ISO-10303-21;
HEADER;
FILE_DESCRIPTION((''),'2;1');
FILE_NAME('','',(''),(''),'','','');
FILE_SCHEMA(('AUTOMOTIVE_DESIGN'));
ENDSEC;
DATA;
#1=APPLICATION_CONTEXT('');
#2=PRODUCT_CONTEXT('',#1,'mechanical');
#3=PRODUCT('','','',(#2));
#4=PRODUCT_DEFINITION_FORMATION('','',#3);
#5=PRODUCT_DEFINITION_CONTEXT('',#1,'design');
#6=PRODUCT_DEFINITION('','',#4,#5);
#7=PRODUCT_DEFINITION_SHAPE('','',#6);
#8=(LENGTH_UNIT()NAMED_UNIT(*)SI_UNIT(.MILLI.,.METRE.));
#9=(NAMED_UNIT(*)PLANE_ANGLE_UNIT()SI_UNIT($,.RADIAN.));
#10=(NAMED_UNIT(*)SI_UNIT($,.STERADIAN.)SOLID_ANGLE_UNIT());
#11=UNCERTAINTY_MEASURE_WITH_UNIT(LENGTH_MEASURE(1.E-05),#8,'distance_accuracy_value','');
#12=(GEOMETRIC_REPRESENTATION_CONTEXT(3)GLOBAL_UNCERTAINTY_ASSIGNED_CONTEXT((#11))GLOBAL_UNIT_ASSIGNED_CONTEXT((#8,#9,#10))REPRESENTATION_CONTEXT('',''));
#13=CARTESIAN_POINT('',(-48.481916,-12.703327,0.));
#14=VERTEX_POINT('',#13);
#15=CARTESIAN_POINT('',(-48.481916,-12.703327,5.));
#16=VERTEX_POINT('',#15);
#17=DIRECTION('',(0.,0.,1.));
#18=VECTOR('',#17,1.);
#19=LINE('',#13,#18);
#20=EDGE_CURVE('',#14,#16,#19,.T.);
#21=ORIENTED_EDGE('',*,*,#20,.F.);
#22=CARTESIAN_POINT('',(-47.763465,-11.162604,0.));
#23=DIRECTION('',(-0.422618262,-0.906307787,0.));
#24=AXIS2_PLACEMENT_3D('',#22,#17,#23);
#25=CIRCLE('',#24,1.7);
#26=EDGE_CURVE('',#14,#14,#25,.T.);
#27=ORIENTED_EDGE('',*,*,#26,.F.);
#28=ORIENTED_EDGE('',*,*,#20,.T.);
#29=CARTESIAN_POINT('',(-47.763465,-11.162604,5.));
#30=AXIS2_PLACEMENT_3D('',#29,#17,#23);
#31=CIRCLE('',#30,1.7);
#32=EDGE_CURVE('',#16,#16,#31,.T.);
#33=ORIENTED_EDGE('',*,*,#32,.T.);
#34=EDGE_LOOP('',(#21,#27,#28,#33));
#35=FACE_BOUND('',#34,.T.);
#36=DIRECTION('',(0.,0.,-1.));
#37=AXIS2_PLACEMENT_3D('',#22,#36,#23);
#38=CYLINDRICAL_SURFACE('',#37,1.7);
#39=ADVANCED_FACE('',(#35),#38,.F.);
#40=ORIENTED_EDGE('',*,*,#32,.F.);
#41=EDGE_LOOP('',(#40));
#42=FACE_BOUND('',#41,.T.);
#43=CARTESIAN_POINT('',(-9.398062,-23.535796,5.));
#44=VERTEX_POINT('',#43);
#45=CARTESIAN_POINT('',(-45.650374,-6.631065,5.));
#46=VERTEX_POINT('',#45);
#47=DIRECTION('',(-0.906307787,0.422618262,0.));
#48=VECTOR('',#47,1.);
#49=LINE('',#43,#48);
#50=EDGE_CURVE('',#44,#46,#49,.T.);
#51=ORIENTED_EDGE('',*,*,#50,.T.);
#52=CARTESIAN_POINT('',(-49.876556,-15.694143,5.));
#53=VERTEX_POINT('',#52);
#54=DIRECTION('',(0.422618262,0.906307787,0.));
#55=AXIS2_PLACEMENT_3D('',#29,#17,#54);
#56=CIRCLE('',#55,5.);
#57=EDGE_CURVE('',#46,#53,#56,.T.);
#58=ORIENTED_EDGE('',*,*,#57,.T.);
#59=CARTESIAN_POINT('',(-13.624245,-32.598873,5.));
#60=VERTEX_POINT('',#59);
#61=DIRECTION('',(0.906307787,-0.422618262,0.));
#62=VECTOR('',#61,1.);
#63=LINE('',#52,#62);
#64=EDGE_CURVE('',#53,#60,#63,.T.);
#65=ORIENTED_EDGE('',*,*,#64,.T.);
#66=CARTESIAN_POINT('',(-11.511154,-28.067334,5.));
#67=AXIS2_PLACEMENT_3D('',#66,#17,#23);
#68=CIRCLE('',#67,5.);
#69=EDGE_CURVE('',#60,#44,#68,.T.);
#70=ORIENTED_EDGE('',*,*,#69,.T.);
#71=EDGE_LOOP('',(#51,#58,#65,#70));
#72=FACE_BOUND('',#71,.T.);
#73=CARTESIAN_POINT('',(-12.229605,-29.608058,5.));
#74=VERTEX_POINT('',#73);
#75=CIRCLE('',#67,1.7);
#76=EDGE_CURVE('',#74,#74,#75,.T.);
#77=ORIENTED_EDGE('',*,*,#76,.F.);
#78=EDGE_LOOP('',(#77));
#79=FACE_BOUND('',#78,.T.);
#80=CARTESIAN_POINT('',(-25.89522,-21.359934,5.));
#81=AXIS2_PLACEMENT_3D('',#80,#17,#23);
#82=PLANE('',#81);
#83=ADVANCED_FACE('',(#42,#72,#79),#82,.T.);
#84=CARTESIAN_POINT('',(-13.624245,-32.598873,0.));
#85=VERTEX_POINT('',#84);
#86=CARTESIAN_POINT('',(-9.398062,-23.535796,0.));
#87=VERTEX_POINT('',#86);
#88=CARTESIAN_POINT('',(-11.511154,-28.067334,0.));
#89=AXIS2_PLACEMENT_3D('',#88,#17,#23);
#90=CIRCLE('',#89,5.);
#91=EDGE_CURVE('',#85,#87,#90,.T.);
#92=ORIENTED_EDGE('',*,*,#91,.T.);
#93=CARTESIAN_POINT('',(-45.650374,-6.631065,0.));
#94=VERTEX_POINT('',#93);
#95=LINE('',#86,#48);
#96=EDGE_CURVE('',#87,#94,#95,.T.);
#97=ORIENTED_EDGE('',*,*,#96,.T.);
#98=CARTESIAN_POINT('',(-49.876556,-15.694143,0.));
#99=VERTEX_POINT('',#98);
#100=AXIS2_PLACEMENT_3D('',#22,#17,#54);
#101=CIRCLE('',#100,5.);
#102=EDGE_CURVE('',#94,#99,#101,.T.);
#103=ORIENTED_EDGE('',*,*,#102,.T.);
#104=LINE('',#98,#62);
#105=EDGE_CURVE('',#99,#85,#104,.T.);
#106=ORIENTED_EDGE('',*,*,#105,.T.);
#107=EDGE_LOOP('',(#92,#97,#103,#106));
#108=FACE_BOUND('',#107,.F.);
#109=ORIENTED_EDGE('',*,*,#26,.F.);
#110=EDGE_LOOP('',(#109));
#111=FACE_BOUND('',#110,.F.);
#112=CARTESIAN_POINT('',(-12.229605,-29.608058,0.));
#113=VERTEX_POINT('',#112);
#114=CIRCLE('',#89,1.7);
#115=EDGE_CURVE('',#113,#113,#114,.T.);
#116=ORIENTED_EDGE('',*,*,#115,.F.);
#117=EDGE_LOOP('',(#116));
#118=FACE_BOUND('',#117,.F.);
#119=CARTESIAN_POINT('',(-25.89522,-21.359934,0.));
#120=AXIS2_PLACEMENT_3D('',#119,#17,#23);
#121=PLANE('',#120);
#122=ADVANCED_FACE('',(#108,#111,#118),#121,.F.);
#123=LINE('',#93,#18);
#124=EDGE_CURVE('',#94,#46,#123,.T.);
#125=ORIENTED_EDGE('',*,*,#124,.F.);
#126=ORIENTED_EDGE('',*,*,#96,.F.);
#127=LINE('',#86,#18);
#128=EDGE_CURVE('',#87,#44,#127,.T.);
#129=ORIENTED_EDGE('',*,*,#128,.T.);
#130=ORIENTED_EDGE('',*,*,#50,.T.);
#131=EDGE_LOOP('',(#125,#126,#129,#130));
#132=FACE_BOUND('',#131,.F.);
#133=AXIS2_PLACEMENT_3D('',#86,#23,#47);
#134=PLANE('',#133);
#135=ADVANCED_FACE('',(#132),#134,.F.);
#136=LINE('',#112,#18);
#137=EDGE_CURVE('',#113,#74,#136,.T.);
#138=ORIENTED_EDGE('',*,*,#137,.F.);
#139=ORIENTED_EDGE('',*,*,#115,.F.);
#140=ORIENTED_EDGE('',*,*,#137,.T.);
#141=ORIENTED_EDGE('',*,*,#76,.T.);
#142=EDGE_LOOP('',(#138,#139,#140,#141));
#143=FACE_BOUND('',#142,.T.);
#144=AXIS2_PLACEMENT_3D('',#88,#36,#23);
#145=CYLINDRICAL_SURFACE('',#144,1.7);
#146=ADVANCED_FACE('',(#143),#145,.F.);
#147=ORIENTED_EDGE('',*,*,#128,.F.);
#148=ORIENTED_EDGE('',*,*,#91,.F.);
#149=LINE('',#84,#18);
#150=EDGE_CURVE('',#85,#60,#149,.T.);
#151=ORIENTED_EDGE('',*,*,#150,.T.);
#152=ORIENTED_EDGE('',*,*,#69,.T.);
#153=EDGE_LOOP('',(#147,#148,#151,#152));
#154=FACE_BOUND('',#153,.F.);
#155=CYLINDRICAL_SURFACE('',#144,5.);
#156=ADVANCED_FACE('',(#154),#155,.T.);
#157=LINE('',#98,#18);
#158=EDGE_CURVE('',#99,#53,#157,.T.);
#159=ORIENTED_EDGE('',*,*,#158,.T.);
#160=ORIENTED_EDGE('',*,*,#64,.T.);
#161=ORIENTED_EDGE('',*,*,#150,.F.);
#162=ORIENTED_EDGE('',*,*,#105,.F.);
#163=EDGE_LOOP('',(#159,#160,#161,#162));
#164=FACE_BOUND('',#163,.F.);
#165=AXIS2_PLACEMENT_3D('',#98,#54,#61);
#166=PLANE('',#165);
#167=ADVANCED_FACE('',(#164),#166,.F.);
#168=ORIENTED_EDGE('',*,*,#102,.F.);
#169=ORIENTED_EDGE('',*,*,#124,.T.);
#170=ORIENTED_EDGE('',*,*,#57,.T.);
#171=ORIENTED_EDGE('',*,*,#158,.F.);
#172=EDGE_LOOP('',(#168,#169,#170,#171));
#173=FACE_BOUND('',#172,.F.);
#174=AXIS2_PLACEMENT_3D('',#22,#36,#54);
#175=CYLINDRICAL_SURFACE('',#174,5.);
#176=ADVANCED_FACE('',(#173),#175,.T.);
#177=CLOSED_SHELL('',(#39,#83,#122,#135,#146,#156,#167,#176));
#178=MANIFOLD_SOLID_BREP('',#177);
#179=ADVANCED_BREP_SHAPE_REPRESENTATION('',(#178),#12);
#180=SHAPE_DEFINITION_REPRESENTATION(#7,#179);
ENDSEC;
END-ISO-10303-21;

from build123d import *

# Parameters (mm, degrees)
F0_R     = 1.7
F1_DEPTH = 5
F2_ANGLE = -115


with BuildPart() as f1:
    # F0 (on Top) → F1 (new body)
    with BuildSketch(Plane.XY):
        with BuildLine():
            ThreePointArc((-42.763465, 28.837396), (-47.763465, 33.837396), (-52.763465, 28.837396))
            Line((-52.763465, 28.837396), (-52.763465, -5.661145))
            Line((-52.763465, -5.661145), (-42.763465, -5.661145))
            Line((-42.763465, -5.661145), (-42.763465, 28.837396))
        make_face()
        with Locations((-47.763465, 28.837396)):
            Circle(F0_R, mode=Mode.SUBTRACT)
        with BuildLine():
            Line((-42.763465, -5.661145), (-52.763465, -5.661145))
            Line((-52.763465, -5.661145), (-52.763465, -11.162604))
            ThreePointArc((-52.763465, -11.162604), (-47.763465, -16.162604), (-42.763465, -11.162604))
            Line((-42.763465, -11.162604), (-42.763465, -5.661145))
        make_face()
        with Locations((-47.763465, -11.162604)):
            Circle(F0_R, mode=Mode.SUBTRACT)
    extrude(amount=F1_DEPTH)


with BuildPart() as f1_1:
    # F2: moved
    add(f1.part.rotate(Axis((-47.763465, -11.162604, 5), (0, 0, 1)), F2_ANGLE))


solid = f1_1.part
